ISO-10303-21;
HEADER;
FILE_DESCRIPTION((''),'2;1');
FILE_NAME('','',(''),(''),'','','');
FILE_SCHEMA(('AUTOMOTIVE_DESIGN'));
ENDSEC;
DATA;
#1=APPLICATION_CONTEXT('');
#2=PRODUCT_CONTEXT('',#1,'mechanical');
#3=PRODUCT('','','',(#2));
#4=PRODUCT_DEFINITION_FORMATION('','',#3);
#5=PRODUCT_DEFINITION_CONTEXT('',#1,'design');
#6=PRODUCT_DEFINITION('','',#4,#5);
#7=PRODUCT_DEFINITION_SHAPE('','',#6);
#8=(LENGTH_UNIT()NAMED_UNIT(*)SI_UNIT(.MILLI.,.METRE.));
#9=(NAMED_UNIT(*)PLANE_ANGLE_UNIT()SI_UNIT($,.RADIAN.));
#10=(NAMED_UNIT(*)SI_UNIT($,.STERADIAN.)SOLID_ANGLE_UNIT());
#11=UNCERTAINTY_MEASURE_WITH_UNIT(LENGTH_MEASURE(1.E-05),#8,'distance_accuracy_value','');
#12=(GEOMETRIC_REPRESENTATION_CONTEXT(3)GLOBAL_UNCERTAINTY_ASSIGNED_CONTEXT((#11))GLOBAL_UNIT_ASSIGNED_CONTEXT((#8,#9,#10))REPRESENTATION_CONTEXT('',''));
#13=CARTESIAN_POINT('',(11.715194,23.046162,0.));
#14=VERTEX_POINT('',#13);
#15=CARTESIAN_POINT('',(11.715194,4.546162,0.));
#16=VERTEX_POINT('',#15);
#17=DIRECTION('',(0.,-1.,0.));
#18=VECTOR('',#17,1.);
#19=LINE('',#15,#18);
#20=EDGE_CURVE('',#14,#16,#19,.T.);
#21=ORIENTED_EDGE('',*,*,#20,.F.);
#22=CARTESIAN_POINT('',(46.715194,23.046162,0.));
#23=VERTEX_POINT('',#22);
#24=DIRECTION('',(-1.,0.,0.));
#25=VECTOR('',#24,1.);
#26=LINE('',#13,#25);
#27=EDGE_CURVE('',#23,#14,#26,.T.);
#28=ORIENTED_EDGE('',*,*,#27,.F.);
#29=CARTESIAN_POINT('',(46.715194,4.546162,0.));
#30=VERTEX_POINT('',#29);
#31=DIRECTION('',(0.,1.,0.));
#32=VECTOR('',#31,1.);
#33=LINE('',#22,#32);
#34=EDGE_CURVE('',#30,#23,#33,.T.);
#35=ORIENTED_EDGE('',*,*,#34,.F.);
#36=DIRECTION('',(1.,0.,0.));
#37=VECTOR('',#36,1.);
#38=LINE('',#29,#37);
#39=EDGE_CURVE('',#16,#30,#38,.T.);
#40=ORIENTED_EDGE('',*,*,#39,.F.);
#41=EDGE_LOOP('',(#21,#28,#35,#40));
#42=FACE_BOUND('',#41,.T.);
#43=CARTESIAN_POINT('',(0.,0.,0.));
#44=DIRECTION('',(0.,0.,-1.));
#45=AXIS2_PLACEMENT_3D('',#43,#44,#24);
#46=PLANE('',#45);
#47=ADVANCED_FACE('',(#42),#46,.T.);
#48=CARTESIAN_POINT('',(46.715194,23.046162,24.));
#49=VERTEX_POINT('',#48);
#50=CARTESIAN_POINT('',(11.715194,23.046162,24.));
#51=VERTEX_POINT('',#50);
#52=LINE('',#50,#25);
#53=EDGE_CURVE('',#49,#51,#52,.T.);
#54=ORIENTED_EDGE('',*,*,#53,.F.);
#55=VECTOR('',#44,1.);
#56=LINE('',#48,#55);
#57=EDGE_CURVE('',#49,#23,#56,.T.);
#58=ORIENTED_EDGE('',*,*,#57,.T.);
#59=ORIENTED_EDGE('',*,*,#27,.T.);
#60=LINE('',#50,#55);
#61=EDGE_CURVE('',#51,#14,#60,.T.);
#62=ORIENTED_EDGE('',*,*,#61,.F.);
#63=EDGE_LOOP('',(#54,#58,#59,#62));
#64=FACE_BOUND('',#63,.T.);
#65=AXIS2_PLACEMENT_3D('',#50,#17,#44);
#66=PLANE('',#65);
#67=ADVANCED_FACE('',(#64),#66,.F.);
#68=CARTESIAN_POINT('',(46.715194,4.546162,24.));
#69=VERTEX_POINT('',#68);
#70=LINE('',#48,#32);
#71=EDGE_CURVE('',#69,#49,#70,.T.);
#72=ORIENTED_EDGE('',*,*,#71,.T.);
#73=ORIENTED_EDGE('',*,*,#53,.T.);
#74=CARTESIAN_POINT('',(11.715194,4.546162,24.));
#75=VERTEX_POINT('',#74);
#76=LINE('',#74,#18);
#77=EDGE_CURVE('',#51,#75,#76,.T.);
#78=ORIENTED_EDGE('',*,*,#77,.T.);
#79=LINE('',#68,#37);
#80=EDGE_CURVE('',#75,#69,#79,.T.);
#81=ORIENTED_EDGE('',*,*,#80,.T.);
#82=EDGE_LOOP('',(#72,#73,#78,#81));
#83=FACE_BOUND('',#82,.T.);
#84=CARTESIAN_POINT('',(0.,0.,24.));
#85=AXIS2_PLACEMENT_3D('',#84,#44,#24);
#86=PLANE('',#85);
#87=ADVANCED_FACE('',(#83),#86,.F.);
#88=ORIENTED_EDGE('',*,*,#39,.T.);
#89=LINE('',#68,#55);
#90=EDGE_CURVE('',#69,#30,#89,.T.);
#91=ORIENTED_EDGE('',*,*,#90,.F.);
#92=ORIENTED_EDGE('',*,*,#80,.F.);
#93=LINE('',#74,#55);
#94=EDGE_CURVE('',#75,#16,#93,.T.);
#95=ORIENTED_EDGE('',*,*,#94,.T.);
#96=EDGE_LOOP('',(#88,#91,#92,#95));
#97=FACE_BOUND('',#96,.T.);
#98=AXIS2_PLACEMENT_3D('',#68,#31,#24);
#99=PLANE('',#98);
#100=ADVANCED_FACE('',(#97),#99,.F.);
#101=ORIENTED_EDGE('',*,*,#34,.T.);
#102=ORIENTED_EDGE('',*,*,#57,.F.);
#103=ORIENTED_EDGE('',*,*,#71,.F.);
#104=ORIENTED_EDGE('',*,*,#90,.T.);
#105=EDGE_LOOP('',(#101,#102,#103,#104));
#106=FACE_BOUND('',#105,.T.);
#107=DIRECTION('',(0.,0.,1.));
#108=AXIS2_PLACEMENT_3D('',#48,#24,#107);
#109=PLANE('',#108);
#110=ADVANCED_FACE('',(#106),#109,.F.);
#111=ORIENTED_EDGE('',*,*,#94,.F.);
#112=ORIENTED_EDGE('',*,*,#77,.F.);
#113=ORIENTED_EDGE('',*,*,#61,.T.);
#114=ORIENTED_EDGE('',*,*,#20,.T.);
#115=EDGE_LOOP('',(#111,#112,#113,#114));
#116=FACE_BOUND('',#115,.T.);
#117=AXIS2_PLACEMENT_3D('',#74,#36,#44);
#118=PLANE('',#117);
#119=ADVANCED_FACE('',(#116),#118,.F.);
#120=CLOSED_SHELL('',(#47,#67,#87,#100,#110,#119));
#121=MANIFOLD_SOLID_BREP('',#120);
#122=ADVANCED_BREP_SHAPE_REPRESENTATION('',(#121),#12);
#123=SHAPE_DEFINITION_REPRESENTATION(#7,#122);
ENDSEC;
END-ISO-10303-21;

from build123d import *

# Parameters (mm, degrees)
SKETCH_1_W      = 35
SKETCH_1_H      = 18.5
EXTRUDE_1_DEPTH = 24


with BuildPart() as part:
    # 草图1 → 凸台-拉伸1 (new body)
    with BuildSketch(Plane.XY):
        with Locations((29.215194166, 13.796162455)):
            Rectangle(SKETCH_1_W, SKETCH_1_H)
    extrude(amount=EXTRUDE_1_DEPTH)


solid = part.part
